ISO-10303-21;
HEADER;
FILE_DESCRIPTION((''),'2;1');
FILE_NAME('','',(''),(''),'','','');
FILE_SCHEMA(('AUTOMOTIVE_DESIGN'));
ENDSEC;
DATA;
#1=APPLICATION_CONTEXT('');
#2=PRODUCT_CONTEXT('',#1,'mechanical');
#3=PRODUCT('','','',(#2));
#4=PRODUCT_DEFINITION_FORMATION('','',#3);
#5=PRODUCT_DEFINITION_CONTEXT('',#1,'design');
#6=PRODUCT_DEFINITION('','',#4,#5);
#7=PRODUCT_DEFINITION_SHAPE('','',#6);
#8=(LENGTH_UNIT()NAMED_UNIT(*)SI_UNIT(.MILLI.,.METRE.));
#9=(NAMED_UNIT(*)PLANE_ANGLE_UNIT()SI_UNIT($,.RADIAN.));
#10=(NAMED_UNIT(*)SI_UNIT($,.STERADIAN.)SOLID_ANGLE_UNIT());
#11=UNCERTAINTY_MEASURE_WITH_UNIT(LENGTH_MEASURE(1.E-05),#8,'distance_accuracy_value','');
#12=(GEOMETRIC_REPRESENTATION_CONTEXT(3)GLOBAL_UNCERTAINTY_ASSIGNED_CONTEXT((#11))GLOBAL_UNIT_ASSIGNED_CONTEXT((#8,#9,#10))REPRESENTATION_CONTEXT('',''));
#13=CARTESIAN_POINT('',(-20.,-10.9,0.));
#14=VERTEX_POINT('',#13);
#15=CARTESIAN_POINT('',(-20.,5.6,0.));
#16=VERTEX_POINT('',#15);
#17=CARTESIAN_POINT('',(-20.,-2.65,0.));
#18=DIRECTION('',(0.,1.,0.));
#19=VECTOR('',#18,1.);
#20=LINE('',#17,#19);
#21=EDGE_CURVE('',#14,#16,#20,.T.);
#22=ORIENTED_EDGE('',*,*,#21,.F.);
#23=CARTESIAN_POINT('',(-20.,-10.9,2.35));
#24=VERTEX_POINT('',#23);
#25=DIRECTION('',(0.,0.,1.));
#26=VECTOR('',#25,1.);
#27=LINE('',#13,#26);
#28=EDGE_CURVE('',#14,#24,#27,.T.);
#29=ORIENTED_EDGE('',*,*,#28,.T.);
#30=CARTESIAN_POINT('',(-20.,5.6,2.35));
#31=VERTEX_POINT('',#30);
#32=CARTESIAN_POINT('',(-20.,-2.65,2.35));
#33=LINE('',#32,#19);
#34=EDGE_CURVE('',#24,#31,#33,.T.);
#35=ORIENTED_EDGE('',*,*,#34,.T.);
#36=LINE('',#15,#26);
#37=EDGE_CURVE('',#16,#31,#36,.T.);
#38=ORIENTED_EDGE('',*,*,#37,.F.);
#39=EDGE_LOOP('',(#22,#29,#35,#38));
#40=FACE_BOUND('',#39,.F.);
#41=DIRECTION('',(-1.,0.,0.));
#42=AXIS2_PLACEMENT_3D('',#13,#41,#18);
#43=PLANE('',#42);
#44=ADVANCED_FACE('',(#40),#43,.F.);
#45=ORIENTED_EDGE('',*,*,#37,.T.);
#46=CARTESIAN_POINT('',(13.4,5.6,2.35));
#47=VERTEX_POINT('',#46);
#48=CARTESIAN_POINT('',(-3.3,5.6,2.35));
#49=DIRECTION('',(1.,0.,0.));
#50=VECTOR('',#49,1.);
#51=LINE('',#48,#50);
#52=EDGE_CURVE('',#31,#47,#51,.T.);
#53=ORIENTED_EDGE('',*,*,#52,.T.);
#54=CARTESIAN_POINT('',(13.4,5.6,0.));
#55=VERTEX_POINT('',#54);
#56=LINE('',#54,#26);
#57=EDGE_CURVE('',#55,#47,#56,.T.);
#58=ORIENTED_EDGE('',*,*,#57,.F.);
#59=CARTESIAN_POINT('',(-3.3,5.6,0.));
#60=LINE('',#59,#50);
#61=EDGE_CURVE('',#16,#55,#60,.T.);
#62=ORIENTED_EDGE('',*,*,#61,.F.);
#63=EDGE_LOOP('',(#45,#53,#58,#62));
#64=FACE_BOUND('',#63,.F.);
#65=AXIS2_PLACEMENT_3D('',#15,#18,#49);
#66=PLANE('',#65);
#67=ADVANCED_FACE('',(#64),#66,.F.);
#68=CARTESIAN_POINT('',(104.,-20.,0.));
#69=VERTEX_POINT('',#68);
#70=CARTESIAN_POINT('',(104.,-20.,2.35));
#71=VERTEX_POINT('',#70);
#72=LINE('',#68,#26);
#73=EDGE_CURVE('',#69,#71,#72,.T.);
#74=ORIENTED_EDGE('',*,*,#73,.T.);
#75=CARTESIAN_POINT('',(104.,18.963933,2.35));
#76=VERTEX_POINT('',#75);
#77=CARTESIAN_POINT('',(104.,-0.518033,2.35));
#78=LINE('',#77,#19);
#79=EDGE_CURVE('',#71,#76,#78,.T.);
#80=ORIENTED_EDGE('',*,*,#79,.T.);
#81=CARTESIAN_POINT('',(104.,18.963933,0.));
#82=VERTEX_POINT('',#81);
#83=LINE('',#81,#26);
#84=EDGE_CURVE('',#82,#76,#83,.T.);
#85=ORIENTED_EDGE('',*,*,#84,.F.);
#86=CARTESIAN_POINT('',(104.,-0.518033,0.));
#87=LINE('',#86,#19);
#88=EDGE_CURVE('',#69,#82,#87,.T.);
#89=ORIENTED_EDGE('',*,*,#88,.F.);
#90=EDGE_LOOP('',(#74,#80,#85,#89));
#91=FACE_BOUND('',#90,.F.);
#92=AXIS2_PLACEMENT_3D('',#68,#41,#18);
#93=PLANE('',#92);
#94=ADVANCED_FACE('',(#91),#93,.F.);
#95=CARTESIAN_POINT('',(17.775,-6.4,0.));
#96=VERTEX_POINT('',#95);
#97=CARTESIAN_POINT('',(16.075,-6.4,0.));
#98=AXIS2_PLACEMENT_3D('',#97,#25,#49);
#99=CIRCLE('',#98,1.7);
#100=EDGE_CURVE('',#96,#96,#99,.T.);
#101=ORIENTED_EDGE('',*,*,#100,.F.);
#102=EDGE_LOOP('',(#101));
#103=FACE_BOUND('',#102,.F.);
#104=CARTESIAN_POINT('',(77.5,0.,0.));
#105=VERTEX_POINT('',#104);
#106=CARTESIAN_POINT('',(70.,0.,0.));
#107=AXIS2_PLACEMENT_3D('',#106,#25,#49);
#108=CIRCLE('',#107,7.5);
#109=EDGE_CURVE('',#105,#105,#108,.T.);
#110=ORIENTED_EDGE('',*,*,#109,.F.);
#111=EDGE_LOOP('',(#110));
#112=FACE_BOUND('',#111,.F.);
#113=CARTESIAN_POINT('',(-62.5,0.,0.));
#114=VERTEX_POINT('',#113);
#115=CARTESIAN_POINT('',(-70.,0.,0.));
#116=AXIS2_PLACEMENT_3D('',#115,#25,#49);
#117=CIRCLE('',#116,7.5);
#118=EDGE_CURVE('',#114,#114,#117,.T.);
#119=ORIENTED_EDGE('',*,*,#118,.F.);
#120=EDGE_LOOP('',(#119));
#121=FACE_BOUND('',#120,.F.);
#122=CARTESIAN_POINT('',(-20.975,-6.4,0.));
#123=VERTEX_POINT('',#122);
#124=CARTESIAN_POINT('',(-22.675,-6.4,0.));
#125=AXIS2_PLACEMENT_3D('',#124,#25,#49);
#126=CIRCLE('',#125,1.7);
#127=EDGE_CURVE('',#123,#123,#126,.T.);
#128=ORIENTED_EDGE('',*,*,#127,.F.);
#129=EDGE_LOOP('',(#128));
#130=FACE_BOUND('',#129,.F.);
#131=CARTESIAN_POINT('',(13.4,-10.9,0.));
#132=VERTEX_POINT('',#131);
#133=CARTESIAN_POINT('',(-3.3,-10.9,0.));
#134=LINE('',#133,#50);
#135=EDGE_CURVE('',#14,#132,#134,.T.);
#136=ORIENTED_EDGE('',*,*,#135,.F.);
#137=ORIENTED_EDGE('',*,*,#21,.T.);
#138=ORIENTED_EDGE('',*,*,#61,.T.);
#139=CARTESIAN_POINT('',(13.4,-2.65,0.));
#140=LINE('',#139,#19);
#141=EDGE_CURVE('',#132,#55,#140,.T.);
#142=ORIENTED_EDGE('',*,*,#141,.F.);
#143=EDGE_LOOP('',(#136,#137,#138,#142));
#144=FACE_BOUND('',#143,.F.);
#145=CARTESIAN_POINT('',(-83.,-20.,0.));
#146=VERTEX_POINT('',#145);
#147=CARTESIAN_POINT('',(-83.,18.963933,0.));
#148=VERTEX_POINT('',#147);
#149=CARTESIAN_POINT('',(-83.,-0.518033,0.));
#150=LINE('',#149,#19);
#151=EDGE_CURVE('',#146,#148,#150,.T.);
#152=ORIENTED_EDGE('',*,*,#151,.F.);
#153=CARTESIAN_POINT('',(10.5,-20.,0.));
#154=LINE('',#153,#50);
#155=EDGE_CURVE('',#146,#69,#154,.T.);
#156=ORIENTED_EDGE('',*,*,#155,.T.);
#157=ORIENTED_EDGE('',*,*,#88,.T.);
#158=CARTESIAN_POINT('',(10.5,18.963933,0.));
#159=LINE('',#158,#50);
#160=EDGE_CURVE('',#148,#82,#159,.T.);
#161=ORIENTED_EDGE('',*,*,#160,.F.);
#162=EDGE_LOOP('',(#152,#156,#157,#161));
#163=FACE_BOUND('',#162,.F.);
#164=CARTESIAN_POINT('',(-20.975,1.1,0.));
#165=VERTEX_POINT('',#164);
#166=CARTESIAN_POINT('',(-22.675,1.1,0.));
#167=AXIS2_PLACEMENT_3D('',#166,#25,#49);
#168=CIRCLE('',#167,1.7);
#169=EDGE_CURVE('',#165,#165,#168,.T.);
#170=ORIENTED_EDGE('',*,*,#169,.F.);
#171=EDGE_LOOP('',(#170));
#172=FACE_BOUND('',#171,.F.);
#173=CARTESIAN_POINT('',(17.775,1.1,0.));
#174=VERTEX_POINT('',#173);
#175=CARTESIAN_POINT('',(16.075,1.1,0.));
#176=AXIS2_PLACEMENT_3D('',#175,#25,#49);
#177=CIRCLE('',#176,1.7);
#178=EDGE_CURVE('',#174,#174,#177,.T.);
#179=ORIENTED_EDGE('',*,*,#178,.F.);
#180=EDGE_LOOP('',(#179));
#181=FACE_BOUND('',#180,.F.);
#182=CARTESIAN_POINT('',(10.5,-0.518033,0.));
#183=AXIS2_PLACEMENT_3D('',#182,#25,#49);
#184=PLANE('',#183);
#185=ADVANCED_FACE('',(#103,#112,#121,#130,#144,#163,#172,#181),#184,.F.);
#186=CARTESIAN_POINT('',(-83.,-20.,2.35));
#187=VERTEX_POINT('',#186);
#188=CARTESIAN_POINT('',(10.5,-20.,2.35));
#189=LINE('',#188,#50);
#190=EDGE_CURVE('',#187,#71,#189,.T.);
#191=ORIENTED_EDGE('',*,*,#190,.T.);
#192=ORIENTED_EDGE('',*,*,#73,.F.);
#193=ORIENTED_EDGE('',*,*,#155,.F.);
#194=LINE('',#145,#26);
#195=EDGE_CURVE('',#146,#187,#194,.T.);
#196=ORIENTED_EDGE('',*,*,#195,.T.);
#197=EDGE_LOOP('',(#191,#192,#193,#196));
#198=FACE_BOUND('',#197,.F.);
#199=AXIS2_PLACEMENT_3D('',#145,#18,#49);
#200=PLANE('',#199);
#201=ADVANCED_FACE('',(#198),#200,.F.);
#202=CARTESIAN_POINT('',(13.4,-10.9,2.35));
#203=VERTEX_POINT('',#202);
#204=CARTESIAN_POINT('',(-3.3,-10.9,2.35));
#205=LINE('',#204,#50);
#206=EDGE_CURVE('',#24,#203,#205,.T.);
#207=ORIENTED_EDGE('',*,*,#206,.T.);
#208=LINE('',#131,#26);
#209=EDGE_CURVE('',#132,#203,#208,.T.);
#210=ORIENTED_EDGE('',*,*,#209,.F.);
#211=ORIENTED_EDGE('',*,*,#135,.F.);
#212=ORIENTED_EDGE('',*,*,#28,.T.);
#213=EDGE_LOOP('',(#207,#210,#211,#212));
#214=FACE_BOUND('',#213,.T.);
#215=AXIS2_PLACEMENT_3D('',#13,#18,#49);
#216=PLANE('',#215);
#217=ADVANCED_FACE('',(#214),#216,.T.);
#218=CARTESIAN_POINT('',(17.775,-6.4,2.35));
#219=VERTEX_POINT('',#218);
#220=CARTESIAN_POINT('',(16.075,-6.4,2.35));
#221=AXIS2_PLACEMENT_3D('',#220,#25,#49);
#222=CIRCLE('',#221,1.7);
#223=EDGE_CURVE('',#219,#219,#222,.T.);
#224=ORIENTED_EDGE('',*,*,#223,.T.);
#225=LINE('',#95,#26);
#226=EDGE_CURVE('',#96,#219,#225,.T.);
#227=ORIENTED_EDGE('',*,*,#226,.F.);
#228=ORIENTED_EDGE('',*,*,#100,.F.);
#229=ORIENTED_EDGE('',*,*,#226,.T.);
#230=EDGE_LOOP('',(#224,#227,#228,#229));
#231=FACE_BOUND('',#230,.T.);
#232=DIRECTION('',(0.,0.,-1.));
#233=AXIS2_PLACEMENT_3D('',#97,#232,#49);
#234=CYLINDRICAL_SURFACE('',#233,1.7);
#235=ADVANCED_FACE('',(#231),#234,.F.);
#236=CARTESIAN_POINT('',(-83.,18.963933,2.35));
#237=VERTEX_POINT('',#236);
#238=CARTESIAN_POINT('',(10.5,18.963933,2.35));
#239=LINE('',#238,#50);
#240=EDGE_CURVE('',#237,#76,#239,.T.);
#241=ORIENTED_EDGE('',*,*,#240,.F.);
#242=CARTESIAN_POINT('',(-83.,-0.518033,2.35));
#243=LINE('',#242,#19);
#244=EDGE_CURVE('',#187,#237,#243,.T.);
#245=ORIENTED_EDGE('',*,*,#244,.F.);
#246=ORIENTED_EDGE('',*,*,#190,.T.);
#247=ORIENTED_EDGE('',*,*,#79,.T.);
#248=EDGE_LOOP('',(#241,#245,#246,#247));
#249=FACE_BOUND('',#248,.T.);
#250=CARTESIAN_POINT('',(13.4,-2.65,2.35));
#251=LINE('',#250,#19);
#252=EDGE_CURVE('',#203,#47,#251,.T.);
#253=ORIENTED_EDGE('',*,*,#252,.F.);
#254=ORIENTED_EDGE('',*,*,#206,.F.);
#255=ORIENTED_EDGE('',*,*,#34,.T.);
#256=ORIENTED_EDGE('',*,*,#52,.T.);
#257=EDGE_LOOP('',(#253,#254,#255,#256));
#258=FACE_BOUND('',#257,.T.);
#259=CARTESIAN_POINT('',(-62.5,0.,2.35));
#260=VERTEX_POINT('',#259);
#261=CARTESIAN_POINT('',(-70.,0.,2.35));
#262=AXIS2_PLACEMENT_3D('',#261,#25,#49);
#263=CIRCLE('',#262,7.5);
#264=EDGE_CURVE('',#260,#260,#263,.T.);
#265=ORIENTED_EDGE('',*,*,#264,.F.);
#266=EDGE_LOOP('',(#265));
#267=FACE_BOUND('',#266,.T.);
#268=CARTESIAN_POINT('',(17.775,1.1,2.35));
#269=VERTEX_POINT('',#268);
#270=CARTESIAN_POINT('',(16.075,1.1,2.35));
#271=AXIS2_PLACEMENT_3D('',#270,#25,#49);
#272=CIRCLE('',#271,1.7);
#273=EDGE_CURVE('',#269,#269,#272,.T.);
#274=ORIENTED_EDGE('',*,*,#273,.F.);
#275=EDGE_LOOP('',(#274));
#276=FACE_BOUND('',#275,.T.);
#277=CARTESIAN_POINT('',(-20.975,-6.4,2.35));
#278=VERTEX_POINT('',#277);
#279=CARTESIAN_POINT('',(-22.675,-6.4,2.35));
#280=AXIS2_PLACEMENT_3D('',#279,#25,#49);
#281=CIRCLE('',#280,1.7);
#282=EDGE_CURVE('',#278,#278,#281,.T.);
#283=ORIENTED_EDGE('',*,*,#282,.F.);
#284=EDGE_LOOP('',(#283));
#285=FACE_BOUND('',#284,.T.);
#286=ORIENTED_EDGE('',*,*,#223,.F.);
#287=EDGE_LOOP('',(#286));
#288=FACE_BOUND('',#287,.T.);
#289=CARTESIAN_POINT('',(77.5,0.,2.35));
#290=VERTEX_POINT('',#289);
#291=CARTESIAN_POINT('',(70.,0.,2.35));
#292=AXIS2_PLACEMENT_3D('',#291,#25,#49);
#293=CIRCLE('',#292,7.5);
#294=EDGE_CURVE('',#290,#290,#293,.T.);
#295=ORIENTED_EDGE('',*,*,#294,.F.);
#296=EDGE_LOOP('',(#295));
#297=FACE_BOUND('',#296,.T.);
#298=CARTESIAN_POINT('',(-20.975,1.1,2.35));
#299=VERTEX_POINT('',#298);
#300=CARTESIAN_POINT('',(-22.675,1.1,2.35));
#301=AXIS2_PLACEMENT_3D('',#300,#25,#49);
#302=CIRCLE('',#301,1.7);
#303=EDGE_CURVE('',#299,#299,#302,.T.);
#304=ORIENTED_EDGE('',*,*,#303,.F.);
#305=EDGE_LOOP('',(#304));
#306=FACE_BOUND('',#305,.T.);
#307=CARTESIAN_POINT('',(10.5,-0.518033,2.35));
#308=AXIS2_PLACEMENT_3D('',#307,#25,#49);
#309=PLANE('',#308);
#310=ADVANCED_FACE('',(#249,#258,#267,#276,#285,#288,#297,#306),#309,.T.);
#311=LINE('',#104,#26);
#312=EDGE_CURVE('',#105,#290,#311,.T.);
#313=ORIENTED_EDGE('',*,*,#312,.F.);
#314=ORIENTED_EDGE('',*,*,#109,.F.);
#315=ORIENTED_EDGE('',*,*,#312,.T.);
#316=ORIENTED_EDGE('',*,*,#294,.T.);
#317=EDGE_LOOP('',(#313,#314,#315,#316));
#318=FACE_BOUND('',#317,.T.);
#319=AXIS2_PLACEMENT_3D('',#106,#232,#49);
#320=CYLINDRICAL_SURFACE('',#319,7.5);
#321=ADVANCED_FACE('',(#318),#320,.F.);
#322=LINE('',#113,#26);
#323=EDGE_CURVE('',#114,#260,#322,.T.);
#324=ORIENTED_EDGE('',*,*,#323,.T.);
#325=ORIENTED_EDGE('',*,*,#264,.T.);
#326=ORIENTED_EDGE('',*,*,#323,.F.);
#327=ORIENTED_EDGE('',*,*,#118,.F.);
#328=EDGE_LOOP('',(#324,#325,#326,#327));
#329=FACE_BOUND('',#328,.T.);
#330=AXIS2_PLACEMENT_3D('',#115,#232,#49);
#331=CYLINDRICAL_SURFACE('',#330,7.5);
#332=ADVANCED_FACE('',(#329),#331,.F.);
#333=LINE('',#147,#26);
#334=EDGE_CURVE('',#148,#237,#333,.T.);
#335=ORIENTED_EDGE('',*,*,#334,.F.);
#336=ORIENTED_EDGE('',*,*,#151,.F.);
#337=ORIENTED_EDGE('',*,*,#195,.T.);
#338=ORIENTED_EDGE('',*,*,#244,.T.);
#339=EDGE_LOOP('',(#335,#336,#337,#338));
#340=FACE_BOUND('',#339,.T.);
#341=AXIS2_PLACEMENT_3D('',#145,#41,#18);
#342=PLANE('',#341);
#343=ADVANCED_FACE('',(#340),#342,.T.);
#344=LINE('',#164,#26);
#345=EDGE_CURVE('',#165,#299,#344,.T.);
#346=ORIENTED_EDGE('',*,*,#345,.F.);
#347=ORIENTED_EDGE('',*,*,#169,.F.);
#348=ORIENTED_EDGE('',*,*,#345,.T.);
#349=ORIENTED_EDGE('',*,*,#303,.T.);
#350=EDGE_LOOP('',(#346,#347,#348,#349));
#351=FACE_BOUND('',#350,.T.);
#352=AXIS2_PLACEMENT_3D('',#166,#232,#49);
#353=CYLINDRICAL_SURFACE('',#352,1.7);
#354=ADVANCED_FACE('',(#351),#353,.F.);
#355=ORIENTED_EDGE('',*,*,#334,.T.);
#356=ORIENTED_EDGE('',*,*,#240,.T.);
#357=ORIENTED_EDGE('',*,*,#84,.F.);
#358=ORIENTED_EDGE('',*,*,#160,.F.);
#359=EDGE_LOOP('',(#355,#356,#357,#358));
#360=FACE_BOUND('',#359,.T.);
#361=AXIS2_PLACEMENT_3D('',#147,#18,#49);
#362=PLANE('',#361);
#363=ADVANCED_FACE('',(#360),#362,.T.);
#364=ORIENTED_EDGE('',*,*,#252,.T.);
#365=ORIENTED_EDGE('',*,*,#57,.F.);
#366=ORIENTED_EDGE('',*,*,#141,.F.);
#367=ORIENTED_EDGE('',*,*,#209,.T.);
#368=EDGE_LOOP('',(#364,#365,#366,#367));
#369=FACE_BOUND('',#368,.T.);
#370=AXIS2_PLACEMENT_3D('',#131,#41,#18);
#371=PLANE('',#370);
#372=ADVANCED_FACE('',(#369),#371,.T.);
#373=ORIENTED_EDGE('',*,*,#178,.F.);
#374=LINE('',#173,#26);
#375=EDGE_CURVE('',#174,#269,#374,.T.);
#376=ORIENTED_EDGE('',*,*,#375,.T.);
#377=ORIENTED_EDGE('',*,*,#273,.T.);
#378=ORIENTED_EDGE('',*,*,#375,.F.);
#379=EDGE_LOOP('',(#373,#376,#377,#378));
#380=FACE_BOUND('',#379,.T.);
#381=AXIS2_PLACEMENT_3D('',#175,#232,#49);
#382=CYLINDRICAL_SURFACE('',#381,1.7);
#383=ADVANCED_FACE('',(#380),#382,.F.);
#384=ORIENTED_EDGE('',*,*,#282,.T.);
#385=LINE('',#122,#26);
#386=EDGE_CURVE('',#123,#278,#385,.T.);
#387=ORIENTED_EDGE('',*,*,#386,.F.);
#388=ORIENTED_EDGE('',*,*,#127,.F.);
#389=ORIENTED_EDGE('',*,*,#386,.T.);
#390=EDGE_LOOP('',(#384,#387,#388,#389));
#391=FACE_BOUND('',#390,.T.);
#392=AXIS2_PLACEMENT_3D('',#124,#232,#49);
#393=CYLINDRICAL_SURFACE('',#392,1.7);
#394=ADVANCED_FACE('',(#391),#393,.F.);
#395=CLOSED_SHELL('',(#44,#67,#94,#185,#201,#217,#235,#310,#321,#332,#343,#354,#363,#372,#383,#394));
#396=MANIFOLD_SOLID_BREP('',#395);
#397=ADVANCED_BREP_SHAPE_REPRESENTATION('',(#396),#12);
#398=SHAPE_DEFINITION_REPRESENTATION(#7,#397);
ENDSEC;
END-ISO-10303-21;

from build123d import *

# Parameters (mm, degrees)
F0_W     = 187
F0_H     = 38.963933
F0_R     = 1.7
F0_W_2   = 33.4
F0_H_2   = 16.5
F0_R_2   = 7.5
F1_DEPTH = 2.35


with BuildPart() as f1:
    # F0 (on Top) → F1 (new body)
    with BuildSketch(Plane.XY):
        with Locations((10.5, -0.518033)):
            Rectangle(F0_W, F0_H)
        with Locations((-22.675, -6.4)):
            Circle(F0_R, mode=Mode.SUBTRACT)
        with Locations((-3.3, -2.65)):
            Rectangle(F0_W_2, F0_H_2, mode=Mode.SUBTRACT)
        with Locations((16.075, -6.4)):
            Circle(F0_R, mode=Mode.SUBTRACT)
        with Locations((-70, 0)):
            Circle(F0_R_2, mode=Mode.SUBTRACT)
        with Locations((-22.675, 1.1)):
            Circle(F0_R, mode=Mode.SUBTRACT)
        with Locations((16.075, 1.1)):
            Circle(F0_R, mode=Mode.SUBTRACT)
        with Locations((70, 0)):
            Circle(F0_R_2, mode=Mode.SUBTRACT)
    extrude(amount=F1_DEPTH)


solid = f1.part
